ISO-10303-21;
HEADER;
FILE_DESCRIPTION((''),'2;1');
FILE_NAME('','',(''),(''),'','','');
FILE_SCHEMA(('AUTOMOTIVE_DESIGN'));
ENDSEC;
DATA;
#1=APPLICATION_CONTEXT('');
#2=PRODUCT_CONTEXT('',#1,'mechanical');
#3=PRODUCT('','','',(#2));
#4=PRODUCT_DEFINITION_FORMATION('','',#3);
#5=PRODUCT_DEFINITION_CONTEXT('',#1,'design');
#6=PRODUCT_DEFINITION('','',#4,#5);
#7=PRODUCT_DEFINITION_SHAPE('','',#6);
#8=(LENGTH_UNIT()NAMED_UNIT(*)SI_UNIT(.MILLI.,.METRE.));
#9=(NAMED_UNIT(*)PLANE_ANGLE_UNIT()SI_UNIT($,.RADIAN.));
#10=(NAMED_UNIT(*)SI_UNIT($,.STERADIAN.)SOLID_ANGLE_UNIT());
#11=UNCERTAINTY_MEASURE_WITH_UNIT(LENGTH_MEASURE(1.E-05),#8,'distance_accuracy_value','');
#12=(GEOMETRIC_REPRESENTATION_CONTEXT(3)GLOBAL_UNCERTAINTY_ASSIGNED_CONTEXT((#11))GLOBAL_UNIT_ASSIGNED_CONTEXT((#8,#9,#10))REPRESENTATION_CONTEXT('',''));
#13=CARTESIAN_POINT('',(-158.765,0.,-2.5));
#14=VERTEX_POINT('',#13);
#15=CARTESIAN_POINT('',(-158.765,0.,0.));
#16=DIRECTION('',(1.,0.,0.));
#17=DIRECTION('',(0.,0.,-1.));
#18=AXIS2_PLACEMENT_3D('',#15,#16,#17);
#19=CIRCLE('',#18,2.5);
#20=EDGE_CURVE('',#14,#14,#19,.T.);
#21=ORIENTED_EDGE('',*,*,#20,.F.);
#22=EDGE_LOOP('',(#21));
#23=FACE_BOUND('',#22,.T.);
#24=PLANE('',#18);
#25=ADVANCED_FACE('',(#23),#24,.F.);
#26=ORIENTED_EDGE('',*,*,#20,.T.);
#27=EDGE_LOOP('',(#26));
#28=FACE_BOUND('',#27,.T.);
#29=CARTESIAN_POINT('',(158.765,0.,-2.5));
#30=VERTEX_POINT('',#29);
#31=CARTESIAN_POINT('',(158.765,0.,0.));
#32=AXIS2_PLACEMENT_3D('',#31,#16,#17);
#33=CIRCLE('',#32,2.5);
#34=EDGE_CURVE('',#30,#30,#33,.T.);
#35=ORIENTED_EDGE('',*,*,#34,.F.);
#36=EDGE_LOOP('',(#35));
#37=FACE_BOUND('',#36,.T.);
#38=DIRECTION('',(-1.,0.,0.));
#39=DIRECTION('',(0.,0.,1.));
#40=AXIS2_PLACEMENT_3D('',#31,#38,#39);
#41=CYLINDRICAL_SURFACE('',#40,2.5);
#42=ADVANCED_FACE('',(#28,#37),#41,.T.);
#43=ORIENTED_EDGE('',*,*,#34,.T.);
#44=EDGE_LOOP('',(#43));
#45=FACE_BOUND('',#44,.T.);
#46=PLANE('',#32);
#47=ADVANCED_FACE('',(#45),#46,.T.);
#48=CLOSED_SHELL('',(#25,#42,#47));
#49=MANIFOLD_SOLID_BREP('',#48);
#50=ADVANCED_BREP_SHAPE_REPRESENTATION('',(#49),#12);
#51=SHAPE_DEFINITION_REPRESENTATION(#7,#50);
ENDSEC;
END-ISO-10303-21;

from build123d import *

# Parameters (mm, degrees)
CROQUIS1_R              = 2.5
SALIENTE_EXTRUIR1_DEPTH = 158.765


with BuildPart() as part:
    # Croquis1 → Saliente-Extruir1 (new, symmetric)
    with BuildSketch(Plane(origin=(0, 0, 0), x_dir=(0, 0, -1), z_dir=(1, 0, 0))):
        Circle(CROQUIS1_R)
    extrude(amount=SALIENTE_EXTRUIR1_DEPTH, both=True)


solid = part.part
